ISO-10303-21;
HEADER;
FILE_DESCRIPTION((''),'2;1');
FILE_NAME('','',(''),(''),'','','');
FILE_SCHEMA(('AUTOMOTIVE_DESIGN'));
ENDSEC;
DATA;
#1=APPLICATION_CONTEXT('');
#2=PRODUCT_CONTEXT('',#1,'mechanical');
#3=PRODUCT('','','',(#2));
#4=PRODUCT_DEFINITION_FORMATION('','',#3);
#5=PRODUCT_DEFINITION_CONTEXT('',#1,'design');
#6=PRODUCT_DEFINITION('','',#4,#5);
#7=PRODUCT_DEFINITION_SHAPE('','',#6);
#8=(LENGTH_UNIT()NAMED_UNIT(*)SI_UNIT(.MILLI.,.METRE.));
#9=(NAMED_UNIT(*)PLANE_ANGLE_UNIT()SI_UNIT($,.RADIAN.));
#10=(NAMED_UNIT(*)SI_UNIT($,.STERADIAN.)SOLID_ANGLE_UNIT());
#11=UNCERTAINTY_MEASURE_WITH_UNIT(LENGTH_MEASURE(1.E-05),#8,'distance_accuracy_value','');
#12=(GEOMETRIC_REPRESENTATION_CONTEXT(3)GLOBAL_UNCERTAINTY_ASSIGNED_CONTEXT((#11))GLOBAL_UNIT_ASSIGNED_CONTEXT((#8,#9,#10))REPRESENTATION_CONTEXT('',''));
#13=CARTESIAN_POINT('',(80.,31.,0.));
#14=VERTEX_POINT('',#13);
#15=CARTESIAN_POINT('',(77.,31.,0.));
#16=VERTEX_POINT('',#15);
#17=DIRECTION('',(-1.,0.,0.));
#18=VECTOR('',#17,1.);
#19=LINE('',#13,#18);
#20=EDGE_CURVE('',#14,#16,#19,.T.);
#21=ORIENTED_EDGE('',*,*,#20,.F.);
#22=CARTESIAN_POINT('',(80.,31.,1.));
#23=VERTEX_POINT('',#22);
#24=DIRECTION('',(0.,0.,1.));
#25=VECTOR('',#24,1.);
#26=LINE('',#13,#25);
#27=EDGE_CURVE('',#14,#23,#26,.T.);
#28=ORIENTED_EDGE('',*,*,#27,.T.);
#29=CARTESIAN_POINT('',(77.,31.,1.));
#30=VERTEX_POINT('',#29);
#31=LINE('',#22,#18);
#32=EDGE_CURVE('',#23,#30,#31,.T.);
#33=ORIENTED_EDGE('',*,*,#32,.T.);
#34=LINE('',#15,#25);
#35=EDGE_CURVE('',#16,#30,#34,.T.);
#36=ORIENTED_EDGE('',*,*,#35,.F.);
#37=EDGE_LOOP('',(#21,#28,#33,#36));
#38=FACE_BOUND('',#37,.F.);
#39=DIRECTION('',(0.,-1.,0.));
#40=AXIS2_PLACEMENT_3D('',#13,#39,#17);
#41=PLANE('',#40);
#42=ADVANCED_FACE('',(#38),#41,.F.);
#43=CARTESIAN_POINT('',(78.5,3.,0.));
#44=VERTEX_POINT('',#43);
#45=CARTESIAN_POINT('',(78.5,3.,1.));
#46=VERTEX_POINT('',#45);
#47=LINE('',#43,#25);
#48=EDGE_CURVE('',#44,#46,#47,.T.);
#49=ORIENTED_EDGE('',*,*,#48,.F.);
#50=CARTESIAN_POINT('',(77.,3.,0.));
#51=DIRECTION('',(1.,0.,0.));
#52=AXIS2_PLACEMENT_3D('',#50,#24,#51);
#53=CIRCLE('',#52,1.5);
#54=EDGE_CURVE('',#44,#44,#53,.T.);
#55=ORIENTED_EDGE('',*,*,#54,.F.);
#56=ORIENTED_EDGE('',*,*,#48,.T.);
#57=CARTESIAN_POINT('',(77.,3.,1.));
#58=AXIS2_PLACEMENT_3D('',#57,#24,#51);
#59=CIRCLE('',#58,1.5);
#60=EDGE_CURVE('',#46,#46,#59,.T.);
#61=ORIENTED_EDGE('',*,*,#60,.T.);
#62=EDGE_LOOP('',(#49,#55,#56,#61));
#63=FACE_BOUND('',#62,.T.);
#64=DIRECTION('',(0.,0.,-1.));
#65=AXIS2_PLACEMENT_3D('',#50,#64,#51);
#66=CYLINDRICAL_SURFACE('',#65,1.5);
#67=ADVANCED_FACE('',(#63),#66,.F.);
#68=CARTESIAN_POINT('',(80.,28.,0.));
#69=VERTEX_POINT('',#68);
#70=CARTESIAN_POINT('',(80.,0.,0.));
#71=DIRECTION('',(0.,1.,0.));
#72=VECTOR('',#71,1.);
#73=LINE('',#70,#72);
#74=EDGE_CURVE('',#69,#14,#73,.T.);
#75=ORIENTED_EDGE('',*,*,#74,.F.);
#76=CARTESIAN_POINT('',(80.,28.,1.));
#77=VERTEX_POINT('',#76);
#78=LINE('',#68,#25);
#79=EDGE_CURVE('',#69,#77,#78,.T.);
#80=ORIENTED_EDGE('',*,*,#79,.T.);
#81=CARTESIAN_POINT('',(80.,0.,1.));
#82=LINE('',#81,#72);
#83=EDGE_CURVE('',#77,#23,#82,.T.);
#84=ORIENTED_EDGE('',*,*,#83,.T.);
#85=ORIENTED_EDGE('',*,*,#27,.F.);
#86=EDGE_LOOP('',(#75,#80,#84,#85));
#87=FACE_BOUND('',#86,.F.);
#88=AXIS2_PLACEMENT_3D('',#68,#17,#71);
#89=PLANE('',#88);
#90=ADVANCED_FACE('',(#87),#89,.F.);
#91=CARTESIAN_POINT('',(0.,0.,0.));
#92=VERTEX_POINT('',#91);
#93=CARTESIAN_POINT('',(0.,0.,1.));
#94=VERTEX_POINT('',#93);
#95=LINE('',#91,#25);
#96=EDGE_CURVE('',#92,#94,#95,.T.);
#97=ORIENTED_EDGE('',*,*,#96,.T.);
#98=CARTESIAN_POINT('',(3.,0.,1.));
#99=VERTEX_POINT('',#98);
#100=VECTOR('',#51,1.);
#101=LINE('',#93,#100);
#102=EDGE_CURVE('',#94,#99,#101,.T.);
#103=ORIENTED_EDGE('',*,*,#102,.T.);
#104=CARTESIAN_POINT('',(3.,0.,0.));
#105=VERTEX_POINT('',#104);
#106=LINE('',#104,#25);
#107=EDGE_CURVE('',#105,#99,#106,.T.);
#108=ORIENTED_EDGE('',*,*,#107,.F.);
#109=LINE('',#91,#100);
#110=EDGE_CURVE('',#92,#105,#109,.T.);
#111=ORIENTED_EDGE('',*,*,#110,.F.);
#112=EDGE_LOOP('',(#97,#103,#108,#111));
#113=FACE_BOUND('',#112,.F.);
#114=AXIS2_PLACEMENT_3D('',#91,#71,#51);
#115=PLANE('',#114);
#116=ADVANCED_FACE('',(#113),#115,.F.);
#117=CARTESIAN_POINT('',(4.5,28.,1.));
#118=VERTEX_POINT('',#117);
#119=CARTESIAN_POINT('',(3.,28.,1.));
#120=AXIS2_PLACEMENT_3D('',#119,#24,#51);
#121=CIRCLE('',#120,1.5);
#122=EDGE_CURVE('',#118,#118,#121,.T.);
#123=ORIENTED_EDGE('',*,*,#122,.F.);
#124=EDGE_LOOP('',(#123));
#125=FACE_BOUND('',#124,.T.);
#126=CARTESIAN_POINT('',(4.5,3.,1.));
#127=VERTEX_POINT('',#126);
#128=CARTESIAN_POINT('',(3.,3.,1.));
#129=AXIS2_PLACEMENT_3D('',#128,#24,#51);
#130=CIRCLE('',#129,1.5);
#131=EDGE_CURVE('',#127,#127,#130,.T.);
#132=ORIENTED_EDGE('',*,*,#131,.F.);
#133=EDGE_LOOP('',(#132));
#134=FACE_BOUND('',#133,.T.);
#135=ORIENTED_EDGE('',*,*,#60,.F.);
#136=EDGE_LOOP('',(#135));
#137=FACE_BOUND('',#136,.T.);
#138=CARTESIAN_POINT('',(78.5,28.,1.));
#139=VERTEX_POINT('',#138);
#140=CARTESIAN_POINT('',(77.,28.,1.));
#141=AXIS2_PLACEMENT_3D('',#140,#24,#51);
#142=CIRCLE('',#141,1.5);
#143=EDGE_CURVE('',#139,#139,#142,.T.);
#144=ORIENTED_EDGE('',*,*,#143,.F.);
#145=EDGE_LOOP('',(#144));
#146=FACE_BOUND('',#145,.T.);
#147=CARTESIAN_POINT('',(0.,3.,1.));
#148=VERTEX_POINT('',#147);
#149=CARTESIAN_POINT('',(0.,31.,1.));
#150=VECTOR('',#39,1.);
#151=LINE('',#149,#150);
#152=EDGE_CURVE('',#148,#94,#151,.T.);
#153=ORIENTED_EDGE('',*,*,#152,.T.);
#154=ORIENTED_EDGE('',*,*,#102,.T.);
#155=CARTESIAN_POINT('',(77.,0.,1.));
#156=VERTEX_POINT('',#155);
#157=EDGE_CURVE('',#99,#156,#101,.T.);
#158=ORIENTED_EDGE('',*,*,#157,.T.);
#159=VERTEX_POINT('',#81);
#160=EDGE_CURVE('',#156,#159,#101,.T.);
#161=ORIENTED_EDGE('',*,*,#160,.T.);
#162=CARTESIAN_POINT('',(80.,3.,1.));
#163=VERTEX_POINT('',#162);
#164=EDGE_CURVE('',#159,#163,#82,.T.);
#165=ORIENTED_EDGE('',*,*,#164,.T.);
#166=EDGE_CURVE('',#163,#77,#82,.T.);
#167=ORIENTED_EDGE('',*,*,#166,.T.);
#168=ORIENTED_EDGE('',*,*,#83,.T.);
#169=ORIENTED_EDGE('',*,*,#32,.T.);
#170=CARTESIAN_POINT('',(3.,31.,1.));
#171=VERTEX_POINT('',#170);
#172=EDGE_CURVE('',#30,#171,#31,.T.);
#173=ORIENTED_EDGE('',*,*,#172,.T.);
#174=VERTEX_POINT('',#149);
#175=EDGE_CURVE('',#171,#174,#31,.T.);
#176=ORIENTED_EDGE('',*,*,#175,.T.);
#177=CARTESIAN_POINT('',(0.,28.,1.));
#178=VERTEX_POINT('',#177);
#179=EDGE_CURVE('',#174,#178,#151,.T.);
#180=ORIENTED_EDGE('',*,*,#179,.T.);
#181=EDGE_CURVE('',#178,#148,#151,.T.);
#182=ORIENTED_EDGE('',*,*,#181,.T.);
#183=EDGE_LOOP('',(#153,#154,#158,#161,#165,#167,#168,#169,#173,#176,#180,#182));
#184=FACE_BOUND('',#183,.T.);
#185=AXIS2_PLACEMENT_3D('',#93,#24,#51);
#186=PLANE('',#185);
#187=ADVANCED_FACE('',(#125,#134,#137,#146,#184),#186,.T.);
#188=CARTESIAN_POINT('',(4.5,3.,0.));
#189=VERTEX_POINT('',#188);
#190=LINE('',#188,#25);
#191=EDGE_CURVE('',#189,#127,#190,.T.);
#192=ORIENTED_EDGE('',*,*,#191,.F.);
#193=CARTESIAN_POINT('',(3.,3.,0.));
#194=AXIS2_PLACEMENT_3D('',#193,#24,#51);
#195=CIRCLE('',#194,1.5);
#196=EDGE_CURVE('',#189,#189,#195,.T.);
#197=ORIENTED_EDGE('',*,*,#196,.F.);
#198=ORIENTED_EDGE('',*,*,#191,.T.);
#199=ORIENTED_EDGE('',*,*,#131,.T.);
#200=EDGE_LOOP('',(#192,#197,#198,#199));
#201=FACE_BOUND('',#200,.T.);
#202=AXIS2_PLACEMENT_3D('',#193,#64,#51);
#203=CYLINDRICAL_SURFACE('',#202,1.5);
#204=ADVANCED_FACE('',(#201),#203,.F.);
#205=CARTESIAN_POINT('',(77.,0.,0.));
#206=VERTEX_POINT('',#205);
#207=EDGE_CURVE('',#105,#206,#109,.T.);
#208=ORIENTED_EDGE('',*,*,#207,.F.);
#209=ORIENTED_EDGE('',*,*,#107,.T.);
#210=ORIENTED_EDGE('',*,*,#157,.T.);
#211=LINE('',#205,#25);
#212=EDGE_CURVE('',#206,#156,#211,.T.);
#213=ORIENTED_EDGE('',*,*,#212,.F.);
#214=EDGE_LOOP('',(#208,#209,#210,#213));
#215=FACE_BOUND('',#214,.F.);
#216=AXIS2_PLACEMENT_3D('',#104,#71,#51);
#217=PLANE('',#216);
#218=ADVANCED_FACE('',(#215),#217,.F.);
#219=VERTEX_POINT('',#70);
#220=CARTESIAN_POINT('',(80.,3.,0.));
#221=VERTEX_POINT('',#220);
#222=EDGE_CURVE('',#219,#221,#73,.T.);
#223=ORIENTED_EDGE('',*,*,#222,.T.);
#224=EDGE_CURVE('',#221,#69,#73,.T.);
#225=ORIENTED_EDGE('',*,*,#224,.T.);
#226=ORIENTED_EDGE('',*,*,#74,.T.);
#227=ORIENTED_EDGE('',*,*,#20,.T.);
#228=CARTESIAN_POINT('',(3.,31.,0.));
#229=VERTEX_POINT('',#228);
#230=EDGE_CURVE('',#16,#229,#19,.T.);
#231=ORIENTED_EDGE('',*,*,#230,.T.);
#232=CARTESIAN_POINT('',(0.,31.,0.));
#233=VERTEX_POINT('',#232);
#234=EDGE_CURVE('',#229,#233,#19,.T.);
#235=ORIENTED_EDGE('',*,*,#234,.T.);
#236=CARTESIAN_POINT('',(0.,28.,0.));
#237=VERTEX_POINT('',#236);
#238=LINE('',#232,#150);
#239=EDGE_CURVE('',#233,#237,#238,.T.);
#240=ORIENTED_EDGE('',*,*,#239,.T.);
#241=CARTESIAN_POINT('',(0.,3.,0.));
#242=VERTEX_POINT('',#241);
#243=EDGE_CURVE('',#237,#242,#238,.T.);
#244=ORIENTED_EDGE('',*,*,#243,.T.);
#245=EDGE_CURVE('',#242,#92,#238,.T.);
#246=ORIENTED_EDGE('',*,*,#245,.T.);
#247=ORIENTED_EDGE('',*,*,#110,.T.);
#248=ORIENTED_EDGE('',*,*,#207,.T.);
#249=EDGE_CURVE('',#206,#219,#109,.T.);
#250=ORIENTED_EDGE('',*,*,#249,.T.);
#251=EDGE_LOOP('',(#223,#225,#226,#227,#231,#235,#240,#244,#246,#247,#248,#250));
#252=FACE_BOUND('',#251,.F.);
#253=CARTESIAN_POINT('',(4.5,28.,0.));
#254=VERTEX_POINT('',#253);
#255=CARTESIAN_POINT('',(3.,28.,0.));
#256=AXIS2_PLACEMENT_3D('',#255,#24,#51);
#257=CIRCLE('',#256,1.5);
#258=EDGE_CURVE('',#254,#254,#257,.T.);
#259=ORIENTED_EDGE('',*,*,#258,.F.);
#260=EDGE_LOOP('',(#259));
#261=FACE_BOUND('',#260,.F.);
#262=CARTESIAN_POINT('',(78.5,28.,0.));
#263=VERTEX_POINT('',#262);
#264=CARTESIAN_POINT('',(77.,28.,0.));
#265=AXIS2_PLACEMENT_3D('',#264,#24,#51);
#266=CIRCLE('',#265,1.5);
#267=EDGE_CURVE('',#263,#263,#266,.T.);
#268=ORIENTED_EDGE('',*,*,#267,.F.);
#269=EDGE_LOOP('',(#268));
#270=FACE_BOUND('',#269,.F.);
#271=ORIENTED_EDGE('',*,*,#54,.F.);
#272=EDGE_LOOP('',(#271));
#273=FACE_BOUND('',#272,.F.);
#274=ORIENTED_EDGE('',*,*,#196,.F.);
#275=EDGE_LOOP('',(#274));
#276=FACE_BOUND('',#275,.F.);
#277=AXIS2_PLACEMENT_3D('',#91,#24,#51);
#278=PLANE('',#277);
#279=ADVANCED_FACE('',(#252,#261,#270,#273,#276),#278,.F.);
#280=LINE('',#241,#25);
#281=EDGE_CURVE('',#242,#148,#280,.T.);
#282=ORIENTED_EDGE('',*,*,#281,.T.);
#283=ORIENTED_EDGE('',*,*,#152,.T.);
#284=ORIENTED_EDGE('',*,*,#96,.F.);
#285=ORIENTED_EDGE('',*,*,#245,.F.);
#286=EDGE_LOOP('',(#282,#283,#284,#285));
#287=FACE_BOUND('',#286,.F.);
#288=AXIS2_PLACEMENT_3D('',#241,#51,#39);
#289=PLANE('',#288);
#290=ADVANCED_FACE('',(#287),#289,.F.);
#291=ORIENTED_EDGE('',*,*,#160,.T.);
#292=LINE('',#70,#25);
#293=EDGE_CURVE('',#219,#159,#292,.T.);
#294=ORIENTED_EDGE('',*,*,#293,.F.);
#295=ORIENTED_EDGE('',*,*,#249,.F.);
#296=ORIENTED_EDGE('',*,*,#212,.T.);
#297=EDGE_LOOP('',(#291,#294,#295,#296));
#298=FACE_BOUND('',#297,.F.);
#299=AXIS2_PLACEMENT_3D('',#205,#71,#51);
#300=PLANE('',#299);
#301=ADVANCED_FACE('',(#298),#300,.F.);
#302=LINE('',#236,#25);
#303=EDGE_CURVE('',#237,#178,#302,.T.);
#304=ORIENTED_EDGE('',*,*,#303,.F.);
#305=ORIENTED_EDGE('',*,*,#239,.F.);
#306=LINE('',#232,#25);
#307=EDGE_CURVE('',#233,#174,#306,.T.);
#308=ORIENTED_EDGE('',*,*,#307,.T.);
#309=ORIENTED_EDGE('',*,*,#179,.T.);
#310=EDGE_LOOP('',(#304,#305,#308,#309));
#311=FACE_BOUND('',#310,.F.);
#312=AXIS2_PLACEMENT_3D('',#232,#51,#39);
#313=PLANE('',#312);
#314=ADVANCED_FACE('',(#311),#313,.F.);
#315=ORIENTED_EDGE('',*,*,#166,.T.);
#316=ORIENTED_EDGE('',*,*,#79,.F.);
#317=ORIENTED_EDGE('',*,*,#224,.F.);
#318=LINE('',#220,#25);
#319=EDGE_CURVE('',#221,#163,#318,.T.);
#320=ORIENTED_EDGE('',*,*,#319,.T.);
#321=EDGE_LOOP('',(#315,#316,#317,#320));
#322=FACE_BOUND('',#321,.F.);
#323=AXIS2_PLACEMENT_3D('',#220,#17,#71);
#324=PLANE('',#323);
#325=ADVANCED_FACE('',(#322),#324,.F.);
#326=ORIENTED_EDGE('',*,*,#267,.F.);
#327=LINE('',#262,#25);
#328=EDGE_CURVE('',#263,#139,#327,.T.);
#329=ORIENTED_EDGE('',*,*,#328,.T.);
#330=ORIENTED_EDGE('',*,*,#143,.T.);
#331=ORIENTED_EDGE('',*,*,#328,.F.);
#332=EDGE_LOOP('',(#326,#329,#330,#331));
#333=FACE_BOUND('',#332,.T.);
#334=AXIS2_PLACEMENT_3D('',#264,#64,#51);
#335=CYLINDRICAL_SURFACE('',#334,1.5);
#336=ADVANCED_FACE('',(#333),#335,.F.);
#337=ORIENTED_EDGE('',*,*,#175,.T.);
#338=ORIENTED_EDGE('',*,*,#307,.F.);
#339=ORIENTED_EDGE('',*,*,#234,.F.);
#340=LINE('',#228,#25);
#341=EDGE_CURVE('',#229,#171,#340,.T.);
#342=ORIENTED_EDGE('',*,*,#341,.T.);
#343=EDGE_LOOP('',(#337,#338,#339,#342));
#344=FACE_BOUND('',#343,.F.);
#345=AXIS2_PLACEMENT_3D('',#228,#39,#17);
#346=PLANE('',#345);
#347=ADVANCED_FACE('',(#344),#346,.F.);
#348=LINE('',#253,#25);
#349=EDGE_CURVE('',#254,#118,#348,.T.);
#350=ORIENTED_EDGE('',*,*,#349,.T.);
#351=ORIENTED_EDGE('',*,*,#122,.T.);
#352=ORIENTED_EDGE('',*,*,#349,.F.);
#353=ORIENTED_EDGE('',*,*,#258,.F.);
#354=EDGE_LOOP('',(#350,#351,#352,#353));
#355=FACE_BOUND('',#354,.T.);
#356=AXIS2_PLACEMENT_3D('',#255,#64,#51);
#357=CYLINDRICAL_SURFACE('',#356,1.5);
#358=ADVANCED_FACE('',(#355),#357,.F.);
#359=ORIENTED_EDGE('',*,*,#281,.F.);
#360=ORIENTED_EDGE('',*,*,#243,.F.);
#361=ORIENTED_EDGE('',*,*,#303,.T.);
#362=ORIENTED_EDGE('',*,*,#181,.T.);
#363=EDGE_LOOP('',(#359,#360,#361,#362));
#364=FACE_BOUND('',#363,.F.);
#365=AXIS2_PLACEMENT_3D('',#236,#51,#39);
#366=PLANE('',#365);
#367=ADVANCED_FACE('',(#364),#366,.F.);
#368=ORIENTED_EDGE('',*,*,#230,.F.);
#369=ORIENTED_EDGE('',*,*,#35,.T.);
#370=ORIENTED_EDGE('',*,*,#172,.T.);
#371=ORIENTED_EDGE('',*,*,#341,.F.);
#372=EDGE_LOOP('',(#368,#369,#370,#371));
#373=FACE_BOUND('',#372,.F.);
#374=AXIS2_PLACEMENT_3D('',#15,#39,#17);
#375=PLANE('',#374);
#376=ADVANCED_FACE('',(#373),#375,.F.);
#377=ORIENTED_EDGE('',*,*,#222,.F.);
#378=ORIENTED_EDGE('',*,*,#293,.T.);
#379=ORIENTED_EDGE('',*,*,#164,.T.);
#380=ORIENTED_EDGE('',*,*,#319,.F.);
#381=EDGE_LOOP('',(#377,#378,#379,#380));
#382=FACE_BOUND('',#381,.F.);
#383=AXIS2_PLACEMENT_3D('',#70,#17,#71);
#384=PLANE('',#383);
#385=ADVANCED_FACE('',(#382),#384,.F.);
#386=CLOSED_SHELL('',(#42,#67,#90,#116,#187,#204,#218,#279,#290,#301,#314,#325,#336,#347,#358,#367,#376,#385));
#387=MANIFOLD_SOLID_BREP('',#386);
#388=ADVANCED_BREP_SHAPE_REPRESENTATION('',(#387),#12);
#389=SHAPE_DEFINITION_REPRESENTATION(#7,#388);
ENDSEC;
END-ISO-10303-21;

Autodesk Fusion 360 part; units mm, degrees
sketch "スケッチ1" plane through (0, 0, 0) normal (0, 0, 1) x (1, 0, 0)
  line L0 (0, 0) -> (80, 0)
  line L1 (80, 0) -> (80, 31)
  line L2 (80, 31) -> (0, 31)
  line L3 (0, 31) -> (0, 0)
  line L4 (0, 31) -> (3, 31)
  line L5 (0, 28) -> (0, 31)
  circle A0 centre (3, 28) radius 1.5
  line L6 (0, 0) -> (3, 0)
  line L7 (0, 3) -> (0, 0)
  circle A1 centre (3, 3) radius 1.5
  line L8 (80, 0) -> (77, 0)
  line L9 (80, 3) -> (80, 0)
  line L10 (80, 31) -> (77, 31)
  line L11 (80, 28) -> (80, 31)
  circle A2 centre (77, 28) radius 1.5
  circle A3 centre (77, 3) radius 1.5
  dimension "d1" = 80
  dimension "d2" = 31
  dimension "d3" = 3
  dimension "d4" = 3
  dimension "d5" = 3
  dimension "d6" = 3
  dimension "d7" = 3
  dimension "d8" = 3
  dimension "d9" = 3
extrude "押し出し1" add sketch "スケッチ1" along normal blind 1
